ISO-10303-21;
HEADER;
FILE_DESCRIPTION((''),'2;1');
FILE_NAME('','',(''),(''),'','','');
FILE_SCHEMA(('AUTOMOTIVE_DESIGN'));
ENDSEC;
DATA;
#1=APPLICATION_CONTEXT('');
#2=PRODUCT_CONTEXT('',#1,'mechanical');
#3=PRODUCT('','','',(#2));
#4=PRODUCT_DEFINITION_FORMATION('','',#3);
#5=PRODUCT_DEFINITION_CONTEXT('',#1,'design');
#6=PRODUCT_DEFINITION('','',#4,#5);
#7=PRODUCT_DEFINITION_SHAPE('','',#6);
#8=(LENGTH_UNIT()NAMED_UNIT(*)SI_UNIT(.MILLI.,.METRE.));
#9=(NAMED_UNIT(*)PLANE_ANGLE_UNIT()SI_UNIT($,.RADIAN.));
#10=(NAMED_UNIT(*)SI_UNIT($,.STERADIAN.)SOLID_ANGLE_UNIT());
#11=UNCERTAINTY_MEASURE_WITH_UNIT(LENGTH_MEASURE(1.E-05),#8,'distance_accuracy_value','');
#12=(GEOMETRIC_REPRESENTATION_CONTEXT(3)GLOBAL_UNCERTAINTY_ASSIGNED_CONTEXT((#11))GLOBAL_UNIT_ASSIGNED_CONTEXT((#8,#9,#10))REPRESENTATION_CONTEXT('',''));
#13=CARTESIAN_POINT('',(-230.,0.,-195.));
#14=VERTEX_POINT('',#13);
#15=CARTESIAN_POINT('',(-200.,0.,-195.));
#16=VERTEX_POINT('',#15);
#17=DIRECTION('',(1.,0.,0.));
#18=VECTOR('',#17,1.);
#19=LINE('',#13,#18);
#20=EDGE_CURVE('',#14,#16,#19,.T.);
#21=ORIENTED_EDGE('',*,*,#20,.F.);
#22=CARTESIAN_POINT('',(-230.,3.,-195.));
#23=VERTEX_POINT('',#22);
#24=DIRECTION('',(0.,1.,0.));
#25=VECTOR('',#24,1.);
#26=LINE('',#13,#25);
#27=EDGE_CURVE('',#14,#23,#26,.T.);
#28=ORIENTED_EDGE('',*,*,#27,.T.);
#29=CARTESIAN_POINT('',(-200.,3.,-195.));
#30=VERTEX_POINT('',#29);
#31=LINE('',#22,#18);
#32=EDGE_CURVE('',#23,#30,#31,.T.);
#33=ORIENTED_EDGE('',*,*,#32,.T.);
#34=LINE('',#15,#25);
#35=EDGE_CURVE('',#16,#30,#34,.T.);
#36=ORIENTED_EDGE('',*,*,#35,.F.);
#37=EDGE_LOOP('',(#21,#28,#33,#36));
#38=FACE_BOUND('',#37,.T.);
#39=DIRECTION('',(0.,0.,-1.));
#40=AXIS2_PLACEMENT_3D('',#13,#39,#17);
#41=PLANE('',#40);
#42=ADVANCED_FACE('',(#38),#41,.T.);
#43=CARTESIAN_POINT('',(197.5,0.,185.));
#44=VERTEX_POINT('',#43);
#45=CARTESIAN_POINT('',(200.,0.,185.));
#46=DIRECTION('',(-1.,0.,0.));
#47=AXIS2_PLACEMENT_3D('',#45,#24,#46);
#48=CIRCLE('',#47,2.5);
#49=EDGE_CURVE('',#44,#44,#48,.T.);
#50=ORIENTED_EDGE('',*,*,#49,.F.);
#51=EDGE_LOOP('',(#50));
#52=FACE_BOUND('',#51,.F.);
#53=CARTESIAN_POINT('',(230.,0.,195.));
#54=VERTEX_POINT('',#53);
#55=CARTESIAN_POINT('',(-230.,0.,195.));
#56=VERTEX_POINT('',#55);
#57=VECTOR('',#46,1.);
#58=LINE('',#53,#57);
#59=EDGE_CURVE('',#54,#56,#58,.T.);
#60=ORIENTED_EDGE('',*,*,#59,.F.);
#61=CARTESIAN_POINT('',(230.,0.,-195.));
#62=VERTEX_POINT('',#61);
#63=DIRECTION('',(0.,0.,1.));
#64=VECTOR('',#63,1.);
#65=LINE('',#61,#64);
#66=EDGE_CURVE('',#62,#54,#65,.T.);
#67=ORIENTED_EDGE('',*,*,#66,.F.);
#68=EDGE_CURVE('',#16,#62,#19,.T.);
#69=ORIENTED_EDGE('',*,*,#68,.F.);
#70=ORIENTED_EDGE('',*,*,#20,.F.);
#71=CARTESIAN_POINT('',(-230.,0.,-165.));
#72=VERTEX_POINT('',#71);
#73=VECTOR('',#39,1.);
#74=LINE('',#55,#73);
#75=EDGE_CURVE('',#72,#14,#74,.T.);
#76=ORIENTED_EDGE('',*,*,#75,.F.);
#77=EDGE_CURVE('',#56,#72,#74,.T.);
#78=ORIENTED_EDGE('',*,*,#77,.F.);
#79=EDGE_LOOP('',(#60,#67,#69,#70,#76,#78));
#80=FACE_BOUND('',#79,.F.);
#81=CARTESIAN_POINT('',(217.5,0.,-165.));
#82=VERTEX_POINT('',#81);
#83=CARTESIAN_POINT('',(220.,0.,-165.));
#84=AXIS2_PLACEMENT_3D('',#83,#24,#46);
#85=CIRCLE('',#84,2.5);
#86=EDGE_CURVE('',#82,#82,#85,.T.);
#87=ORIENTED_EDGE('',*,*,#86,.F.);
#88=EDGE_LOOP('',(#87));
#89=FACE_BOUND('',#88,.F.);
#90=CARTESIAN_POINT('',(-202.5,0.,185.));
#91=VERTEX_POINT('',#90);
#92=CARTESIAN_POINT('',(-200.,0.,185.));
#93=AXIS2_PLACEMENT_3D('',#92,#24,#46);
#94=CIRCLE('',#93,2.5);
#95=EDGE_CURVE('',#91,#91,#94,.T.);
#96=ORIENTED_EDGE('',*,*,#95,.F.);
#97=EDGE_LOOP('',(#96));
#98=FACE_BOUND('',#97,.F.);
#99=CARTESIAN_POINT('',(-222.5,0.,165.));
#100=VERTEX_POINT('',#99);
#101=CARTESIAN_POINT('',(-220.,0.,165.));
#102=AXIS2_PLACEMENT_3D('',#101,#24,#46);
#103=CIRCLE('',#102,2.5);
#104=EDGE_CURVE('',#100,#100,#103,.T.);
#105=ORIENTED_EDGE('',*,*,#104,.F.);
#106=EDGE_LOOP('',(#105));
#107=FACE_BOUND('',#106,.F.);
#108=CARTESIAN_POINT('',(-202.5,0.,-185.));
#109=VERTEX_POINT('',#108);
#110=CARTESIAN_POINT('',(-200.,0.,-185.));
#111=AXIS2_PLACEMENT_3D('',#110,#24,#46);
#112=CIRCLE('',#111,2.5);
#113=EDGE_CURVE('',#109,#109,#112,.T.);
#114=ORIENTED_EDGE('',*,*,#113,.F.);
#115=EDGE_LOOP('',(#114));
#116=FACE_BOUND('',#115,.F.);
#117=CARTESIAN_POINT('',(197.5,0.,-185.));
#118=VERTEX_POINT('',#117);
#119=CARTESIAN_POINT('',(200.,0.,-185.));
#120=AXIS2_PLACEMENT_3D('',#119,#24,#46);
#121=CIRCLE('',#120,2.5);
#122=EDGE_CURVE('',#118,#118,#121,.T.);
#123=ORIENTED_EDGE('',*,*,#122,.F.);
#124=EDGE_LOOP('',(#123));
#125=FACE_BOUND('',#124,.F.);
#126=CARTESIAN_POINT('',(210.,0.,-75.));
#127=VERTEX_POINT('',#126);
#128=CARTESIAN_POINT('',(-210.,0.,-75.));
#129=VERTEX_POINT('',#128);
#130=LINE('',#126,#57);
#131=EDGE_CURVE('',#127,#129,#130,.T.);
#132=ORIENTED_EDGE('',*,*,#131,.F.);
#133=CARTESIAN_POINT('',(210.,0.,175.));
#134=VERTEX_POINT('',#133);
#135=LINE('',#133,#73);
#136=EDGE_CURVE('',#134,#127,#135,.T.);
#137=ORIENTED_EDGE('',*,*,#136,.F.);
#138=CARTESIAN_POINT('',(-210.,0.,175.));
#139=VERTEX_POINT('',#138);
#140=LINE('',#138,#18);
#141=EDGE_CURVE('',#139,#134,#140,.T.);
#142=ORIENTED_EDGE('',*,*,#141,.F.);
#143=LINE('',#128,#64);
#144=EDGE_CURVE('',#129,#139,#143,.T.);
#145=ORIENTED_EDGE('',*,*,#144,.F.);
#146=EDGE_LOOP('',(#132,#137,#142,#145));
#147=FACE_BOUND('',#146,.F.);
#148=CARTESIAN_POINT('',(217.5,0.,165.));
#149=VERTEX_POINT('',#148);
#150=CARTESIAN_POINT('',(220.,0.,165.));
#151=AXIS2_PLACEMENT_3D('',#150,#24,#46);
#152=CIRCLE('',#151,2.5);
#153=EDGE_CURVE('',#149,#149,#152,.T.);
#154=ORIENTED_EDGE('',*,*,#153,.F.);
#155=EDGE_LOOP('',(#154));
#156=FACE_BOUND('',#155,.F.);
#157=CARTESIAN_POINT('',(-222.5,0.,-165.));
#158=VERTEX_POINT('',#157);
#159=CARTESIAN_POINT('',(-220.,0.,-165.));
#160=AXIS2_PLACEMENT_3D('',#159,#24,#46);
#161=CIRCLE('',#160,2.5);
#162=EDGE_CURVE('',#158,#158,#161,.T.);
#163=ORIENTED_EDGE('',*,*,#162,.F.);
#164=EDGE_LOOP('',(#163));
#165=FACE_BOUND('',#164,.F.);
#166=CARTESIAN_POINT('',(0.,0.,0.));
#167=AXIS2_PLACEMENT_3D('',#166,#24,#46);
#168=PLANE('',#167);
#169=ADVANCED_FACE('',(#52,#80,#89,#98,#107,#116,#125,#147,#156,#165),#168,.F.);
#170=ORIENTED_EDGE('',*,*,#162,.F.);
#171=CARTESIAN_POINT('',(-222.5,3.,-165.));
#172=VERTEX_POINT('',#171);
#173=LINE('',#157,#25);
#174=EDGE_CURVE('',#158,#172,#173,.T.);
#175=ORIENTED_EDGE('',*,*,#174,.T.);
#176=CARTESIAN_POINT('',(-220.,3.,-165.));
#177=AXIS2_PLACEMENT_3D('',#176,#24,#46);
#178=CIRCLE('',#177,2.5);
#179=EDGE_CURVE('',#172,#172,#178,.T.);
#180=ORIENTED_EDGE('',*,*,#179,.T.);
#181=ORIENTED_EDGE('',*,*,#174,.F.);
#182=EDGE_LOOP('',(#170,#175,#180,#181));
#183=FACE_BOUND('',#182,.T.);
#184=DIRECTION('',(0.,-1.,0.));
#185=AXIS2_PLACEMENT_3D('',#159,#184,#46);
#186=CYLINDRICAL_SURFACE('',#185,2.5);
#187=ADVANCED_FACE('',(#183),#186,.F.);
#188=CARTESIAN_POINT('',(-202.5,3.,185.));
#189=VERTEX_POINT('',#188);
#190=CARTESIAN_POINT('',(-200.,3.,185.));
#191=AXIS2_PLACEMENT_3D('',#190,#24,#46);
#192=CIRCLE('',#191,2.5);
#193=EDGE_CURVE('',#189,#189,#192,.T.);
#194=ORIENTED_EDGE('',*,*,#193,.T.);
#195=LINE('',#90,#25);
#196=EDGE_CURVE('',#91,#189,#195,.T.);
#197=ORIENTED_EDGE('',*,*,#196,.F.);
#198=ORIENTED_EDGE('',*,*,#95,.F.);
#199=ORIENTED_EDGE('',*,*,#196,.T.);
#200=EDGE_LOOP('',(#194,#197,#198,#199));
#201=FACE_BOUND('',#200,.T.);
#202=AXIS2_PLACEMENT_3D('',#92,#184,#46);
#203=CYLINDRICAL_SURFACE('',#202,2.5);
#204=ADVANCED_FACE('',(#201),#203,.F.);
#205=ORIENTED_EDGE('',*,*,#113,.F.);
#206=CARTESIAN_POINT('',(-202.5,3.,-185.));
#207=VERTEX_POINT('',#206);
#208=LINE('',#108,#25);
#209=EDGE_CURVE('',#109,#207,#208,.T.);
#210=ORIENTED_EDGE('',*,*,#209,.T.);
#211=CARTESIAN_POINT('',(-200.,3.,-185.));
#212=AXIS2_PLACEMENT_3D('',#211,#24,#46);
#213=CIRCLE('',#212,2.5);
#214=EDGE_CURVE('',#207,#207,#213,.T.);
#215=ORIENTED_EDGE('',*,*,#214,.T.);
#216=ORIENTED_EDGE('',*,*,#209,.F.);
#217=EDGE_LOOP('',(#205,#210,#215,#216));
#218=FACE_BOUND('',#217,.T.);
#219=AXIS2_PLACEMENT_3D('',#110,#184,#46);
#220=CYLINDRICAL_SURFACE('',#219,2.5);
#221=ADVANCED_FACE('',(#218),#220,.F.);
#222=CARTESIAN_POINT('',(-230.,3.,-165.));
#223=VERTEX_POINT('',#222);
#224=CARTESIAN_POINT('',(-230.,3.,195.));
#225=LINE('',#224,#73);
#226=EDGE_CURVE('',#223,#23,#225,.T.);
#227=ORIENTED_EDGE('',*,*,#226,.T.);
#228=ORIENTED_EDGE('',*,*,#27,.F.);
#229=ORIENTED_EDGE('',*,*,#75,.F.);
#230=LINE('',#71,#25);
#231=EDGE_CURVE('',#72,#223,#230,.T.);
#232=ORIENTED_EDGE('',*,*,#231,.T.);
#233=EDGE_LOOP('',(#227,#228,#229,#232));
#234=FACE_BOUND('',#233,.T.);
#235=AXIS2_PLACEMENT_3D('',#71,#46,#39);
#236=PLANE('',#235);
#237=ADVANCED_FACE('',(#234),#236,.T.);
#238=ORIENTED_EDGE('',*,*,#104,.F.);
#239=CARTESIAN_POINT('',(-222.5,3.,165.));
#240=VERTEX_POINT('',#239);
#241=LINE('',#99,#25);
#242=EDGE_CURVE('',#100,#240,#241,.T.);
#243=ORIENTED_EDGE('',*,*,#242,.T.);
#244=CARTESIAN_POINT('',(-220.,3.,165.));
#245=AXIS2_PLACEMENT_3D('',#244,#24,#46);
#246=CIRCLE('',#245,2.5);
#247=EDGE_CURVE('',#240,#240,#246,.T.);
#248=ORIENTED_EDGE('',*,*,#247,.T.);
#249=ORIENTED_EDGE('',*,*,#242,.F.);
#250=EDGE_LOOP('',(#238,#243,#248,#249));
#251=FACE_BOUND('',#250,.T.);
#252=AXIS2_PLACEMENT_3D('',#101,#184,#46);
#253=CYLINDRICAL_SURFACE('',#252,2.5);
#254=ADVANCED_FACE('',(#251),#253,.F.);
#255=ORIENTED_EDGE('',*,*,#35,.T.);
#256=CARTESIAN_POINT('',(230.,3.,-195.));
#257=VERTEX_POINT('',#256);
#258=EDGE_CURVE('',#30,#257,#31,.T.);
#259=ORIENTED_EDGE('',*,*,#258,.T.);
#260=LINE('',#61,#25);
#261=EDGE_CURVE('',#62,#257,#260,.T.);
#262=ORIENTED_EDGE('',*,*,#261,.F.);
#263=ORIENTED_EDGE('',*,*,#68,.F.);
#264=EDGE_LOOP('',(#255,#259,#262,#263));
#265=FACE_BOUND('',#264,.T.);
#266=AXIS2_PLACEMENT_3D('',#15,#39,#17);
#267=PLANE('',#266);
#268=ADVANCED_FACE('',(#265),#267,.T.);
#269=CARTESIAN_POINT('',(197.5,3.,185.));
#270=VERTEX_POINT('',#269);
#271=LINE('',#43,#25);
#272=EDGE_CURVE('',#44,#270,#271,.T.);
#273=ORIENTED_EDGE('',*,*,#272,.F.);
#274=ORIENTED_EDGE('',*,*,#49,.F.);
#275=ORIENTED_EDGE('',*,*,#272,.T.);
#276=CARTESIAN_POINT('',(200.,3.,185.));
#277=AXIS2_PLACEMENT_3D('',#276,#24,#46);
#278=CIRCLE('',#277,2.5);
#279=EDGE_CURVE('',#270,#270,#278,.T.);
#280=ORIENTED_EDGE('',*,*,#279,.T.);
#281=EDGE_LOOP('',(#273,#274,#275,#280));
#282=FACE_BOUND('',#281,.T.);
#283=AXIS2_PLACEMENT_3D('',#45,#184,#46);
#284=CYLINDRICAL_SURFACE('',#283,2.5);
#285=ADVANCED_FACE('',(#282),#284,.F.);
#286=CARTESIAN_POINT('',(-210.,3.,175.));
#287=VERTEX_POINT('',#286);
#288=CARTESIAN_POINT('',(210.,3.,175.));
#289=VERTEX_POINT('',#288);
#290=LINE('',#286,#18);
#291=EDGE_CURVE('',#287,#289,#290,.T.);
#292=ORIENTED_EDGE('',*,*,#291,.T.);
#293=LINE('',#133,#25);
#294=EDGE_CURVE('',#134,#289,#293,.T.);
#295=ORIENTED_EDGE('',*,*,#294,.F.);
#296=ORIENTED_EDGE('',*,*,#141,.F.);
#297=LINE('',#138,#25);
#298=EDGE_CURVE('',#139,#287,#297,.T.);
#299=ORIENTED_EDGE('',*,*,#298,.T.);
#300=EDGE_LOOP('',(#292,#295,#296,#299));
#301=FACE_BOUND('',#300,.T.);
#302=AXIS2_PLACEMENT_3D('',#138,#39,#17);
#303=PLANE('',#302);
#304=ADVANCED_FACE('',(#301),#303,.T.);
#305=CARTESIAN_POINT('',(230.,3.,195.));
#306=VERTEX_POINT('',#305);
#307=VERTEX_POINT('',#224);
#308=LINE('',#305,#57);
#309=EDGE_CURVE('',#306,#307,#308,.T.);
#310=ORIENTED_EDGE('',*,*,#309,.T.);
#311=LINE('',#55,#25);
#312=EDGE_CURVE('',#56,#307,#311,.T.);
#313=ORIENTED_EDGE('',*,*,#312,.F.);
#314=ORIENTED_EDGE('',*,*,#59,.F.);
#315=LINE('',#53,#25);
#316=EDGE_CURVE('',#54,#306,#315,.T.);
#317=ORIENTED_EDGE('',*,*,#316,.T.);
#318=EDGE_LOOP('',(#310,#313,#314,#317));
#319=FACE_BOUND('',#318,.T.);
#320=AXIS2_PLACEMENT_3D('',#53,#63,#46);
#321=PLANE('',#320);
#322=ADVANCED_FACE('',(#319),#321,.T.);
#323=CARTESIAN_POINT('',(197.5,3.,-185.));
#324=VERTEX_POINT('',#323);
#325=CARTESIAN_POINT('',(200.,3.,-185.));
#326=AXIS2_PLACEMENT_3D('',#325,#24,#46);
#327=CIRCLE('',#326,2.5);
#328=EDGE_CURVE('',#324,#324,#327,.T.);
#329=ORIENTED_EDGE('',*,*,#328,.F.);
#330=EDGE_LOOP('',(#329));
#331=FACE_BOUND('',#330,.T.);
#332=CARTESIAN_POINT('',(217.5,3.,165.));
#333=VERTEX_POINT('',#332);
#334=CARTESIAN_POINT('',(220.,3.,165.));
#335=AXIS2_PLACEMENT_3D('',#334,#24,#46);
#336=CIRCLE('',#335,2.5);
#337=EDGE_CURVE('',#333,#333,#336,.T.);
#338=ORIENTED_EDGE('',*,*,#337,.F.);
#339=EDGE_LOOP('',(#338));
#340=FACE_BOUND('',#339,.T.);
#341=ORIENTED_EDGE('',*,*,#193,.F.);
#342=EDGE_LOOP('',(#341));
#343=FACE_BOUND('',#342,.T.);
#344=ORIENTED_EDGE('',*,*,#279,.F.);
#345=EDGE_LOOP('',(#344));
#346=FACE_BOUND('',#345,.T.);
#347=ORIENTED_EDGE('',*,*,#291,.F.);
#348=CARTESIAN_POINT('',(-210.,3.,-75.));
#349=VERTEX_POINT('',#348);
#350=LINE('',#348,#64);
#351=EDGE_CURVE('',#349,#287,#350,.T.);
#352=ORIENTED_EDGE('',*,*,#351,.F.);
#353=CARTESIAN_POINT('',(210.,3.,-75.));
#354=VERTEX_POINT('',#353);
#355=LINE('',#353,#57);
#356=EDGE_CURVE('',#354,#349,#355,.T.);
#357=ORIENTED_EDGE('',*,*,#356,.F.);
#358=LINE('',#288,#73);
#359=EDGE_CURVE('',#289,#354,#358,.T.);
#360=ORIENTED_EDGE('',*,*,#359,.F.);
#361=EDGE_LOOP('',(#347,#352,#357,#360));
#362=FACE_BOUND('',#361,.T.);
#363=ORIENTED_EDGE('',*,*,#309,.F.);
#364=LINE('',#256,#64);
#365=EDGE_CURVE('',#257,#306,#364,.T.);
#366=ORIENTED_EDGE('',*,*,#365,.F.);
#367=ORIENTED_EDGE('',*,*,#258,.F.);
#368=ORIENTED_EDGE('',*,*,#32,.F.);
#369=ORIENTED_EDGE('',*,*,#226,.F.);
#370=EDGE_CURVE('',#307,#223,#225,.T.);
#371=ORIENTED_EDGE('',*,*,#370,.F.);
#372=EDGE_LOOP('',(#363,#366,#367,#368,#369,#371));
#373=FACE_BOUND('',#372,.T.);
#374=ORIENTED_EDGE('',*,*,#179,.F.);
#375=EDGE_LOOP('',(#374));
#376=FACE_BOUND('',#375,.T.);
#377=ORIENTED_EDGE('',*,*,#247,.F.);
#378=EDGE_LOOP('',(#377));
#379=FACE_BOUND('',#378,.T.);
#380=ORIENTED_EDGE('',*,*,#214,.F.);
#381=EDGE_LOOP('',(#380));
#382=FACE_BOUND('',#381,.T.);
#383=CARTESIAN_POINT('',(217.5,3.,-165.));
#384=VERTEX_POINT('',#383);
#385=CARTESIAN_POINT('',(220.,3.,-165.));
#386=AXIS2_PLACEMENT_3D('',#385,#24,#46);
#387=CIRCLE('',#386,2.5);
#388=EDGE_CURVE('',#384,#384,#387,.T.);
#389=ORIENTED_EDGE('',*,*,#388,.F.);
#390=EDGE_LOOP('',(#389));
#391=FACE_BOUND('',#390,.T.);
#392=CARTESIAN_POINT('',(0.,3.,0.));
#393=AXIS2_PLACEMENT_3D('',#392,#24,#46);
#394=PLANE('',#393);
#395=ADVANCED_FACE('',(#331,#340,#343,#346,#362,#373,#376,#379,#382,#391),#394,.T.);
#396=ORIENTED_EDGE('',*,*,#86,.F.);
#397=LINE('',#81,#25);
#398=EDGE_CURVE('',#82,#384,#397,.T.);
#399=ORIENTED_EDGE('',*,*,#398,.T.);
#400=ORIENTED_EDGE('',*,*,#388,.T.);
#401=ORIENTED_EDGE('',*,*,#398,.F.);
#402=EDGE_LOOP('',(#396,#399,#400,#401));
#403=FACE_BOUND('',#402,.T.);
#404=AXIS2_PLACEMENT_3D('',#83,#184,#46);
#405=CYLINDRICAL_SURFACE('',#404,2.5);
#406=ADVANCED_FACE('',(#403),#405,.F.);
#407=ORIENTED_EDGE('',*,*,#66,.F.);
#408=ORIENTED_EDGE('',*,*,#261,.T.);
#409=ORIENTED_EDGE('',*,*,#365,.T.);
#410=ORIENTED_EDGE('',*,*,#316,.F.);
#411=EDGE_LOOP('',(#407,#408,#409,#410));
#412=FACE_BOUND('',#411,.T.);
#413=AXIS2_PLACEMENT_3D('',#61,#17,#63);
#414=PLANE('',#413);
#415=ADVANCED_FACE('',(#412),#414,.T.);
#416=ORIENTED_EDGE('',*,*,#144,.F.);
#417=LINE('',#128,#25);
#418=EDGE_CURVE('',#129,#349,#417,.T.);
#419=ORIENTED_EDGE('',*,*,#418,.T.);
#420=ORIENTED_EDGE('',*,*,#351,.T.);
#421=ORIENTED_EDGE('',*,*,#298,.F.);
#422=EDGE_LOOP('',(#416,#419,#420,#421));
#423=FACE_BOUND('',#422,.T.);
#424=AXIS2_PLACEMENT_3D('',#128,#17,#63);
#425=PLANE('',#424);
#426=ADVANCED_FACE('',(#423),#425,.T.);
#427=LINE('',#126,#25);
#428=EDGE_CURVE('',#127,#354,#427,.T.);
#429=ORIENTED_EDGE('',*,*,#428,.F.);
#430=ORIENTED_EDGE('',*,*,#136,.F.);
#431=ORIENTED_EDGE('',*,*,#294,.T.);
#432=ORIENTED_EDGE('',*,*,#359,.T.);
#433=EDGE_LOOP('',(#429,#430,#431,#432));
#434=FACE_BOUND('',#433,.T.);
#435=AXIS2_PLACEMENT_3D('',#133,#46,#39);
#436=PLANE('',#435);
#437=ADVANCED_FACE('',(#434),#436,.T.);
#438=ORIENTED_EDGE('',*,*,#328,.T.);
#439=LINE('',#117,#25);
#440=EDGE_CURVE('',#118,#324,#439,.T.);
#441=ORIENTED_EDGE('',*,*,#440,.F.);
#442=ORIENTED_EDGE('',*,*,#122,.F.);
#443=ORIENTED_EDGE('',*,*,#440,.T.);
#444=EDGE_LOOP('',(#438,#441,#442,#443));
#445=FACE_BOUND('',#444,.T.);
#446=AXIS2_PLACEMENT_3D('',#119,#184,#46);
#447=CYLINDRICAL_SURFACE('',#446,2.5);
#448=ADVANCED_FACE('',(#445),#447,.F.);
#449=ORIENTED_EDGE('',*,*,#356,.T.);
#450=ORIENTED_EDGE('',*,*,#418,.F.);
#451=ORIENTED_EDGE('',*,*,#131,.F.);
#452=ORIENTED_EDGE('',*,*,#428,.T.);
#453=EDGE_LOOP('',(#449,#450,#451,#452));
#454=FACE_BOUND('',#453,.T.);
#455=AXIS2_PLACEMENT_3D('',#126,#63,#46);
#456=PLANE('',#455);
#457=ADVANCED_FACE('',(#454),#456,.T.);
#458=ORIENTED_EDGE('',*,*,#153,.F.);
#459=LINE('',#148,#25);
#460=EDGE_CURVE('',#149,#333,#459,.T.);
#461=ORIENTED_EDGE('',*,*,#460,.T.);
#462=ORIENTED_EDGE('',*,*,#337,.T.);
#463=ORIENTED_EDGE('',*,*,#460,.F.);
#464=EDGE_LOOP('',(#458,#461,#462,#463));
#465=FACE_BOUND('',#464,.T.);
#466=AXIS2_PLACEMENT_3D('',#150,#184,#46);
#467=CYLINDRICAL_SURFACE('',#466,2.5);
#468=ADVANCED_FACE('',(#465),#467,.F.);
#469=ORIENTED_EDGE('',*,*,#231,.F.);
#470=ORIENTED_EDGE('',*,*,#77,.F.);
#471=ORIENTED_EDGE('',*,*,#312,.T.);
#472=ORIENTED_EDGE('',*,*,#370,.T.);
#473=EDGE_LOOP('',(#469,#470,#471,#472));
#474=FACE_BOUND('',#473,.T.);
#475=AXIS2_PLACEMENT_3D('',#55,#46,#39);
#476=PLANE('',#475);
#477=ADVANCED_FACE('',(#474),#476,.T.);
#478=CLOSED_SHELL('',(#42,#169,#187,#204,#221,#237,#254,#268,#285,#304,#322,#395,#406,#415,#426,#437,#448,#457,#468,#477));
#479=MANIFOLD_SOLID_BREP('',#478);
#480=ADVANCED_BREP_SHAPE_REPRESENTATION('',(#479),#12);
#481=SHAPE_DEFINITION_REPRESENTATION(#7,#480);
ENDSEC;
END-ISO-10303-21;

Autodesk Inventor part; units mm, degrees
ref_plane "YZ Plane" through (0, 0, 0) normal (1, 0, 0) x (0, 1, 0)
ref_plane "XZ Plane" through (0, 0, 0) normal (0, 1, 0) x (-1, 0, 0)
ref_plane "XY Plane" through (0, 0, 0) normal (0, 0, 1) x (1, 0, 0)
sketch "Sketch1" plane through (0, 0, 0) normal (0, 1, 0) x (-1, 0, 0)
  line L0 (-230, 195) -> (230, 195)
  line L1 (230, 195) -> (230, -195)
  line L2 (230, -195) -> (-230, -195)
  line L3 (-230, -195) -> (-230, 195)
  line L4 (-230, 195) -> (230, -195) construction
  line L5 (230, 195) -> (-230, -195) construction
  line L6 (210, -75) -> (210, 175)
  line L7 (210, 175) -> (-210, 175)
  line L8 (-210, 175) -> (-210, -75)
  line L9 (230, -195) -> (200, -195)
  line L10 (230, -195) -> (230, -165)
  line L11 (0, 0) -> (0, -25.7255)
  line L12 (0, 0) -> (16.1441, 0)
  circle A0 centre (200, -185) radius 2.5
  circle A1 centre (220, -165) radius 2.5
  circle A2 centre (-200, -185) radius 2.5
  circle A3 centre (-220, -165) radius 2.5
  circle A4 centre (200, 185) radius 2.5
  circle A5 centre (220, 165) radius 2.5
  circle A6 centre (-220, 165) radius 2.5
  circle A7 centre (-200, 185) radius 2.5
  line L13 (-210, 175) -> (-210, -75)
  line L14 (-210, -75) -> (210, -75)
  line L15 (206.4103, -175) -> (210, -175)
  dimension "d0" = 460
  dimension "d1" = 390
  dimension "d6" = 30
  dimension "d10" = 250
extrude "Extrusion1" add sketch "Sketch1" along normal blind 3
properties part number "TapaFrontal"
